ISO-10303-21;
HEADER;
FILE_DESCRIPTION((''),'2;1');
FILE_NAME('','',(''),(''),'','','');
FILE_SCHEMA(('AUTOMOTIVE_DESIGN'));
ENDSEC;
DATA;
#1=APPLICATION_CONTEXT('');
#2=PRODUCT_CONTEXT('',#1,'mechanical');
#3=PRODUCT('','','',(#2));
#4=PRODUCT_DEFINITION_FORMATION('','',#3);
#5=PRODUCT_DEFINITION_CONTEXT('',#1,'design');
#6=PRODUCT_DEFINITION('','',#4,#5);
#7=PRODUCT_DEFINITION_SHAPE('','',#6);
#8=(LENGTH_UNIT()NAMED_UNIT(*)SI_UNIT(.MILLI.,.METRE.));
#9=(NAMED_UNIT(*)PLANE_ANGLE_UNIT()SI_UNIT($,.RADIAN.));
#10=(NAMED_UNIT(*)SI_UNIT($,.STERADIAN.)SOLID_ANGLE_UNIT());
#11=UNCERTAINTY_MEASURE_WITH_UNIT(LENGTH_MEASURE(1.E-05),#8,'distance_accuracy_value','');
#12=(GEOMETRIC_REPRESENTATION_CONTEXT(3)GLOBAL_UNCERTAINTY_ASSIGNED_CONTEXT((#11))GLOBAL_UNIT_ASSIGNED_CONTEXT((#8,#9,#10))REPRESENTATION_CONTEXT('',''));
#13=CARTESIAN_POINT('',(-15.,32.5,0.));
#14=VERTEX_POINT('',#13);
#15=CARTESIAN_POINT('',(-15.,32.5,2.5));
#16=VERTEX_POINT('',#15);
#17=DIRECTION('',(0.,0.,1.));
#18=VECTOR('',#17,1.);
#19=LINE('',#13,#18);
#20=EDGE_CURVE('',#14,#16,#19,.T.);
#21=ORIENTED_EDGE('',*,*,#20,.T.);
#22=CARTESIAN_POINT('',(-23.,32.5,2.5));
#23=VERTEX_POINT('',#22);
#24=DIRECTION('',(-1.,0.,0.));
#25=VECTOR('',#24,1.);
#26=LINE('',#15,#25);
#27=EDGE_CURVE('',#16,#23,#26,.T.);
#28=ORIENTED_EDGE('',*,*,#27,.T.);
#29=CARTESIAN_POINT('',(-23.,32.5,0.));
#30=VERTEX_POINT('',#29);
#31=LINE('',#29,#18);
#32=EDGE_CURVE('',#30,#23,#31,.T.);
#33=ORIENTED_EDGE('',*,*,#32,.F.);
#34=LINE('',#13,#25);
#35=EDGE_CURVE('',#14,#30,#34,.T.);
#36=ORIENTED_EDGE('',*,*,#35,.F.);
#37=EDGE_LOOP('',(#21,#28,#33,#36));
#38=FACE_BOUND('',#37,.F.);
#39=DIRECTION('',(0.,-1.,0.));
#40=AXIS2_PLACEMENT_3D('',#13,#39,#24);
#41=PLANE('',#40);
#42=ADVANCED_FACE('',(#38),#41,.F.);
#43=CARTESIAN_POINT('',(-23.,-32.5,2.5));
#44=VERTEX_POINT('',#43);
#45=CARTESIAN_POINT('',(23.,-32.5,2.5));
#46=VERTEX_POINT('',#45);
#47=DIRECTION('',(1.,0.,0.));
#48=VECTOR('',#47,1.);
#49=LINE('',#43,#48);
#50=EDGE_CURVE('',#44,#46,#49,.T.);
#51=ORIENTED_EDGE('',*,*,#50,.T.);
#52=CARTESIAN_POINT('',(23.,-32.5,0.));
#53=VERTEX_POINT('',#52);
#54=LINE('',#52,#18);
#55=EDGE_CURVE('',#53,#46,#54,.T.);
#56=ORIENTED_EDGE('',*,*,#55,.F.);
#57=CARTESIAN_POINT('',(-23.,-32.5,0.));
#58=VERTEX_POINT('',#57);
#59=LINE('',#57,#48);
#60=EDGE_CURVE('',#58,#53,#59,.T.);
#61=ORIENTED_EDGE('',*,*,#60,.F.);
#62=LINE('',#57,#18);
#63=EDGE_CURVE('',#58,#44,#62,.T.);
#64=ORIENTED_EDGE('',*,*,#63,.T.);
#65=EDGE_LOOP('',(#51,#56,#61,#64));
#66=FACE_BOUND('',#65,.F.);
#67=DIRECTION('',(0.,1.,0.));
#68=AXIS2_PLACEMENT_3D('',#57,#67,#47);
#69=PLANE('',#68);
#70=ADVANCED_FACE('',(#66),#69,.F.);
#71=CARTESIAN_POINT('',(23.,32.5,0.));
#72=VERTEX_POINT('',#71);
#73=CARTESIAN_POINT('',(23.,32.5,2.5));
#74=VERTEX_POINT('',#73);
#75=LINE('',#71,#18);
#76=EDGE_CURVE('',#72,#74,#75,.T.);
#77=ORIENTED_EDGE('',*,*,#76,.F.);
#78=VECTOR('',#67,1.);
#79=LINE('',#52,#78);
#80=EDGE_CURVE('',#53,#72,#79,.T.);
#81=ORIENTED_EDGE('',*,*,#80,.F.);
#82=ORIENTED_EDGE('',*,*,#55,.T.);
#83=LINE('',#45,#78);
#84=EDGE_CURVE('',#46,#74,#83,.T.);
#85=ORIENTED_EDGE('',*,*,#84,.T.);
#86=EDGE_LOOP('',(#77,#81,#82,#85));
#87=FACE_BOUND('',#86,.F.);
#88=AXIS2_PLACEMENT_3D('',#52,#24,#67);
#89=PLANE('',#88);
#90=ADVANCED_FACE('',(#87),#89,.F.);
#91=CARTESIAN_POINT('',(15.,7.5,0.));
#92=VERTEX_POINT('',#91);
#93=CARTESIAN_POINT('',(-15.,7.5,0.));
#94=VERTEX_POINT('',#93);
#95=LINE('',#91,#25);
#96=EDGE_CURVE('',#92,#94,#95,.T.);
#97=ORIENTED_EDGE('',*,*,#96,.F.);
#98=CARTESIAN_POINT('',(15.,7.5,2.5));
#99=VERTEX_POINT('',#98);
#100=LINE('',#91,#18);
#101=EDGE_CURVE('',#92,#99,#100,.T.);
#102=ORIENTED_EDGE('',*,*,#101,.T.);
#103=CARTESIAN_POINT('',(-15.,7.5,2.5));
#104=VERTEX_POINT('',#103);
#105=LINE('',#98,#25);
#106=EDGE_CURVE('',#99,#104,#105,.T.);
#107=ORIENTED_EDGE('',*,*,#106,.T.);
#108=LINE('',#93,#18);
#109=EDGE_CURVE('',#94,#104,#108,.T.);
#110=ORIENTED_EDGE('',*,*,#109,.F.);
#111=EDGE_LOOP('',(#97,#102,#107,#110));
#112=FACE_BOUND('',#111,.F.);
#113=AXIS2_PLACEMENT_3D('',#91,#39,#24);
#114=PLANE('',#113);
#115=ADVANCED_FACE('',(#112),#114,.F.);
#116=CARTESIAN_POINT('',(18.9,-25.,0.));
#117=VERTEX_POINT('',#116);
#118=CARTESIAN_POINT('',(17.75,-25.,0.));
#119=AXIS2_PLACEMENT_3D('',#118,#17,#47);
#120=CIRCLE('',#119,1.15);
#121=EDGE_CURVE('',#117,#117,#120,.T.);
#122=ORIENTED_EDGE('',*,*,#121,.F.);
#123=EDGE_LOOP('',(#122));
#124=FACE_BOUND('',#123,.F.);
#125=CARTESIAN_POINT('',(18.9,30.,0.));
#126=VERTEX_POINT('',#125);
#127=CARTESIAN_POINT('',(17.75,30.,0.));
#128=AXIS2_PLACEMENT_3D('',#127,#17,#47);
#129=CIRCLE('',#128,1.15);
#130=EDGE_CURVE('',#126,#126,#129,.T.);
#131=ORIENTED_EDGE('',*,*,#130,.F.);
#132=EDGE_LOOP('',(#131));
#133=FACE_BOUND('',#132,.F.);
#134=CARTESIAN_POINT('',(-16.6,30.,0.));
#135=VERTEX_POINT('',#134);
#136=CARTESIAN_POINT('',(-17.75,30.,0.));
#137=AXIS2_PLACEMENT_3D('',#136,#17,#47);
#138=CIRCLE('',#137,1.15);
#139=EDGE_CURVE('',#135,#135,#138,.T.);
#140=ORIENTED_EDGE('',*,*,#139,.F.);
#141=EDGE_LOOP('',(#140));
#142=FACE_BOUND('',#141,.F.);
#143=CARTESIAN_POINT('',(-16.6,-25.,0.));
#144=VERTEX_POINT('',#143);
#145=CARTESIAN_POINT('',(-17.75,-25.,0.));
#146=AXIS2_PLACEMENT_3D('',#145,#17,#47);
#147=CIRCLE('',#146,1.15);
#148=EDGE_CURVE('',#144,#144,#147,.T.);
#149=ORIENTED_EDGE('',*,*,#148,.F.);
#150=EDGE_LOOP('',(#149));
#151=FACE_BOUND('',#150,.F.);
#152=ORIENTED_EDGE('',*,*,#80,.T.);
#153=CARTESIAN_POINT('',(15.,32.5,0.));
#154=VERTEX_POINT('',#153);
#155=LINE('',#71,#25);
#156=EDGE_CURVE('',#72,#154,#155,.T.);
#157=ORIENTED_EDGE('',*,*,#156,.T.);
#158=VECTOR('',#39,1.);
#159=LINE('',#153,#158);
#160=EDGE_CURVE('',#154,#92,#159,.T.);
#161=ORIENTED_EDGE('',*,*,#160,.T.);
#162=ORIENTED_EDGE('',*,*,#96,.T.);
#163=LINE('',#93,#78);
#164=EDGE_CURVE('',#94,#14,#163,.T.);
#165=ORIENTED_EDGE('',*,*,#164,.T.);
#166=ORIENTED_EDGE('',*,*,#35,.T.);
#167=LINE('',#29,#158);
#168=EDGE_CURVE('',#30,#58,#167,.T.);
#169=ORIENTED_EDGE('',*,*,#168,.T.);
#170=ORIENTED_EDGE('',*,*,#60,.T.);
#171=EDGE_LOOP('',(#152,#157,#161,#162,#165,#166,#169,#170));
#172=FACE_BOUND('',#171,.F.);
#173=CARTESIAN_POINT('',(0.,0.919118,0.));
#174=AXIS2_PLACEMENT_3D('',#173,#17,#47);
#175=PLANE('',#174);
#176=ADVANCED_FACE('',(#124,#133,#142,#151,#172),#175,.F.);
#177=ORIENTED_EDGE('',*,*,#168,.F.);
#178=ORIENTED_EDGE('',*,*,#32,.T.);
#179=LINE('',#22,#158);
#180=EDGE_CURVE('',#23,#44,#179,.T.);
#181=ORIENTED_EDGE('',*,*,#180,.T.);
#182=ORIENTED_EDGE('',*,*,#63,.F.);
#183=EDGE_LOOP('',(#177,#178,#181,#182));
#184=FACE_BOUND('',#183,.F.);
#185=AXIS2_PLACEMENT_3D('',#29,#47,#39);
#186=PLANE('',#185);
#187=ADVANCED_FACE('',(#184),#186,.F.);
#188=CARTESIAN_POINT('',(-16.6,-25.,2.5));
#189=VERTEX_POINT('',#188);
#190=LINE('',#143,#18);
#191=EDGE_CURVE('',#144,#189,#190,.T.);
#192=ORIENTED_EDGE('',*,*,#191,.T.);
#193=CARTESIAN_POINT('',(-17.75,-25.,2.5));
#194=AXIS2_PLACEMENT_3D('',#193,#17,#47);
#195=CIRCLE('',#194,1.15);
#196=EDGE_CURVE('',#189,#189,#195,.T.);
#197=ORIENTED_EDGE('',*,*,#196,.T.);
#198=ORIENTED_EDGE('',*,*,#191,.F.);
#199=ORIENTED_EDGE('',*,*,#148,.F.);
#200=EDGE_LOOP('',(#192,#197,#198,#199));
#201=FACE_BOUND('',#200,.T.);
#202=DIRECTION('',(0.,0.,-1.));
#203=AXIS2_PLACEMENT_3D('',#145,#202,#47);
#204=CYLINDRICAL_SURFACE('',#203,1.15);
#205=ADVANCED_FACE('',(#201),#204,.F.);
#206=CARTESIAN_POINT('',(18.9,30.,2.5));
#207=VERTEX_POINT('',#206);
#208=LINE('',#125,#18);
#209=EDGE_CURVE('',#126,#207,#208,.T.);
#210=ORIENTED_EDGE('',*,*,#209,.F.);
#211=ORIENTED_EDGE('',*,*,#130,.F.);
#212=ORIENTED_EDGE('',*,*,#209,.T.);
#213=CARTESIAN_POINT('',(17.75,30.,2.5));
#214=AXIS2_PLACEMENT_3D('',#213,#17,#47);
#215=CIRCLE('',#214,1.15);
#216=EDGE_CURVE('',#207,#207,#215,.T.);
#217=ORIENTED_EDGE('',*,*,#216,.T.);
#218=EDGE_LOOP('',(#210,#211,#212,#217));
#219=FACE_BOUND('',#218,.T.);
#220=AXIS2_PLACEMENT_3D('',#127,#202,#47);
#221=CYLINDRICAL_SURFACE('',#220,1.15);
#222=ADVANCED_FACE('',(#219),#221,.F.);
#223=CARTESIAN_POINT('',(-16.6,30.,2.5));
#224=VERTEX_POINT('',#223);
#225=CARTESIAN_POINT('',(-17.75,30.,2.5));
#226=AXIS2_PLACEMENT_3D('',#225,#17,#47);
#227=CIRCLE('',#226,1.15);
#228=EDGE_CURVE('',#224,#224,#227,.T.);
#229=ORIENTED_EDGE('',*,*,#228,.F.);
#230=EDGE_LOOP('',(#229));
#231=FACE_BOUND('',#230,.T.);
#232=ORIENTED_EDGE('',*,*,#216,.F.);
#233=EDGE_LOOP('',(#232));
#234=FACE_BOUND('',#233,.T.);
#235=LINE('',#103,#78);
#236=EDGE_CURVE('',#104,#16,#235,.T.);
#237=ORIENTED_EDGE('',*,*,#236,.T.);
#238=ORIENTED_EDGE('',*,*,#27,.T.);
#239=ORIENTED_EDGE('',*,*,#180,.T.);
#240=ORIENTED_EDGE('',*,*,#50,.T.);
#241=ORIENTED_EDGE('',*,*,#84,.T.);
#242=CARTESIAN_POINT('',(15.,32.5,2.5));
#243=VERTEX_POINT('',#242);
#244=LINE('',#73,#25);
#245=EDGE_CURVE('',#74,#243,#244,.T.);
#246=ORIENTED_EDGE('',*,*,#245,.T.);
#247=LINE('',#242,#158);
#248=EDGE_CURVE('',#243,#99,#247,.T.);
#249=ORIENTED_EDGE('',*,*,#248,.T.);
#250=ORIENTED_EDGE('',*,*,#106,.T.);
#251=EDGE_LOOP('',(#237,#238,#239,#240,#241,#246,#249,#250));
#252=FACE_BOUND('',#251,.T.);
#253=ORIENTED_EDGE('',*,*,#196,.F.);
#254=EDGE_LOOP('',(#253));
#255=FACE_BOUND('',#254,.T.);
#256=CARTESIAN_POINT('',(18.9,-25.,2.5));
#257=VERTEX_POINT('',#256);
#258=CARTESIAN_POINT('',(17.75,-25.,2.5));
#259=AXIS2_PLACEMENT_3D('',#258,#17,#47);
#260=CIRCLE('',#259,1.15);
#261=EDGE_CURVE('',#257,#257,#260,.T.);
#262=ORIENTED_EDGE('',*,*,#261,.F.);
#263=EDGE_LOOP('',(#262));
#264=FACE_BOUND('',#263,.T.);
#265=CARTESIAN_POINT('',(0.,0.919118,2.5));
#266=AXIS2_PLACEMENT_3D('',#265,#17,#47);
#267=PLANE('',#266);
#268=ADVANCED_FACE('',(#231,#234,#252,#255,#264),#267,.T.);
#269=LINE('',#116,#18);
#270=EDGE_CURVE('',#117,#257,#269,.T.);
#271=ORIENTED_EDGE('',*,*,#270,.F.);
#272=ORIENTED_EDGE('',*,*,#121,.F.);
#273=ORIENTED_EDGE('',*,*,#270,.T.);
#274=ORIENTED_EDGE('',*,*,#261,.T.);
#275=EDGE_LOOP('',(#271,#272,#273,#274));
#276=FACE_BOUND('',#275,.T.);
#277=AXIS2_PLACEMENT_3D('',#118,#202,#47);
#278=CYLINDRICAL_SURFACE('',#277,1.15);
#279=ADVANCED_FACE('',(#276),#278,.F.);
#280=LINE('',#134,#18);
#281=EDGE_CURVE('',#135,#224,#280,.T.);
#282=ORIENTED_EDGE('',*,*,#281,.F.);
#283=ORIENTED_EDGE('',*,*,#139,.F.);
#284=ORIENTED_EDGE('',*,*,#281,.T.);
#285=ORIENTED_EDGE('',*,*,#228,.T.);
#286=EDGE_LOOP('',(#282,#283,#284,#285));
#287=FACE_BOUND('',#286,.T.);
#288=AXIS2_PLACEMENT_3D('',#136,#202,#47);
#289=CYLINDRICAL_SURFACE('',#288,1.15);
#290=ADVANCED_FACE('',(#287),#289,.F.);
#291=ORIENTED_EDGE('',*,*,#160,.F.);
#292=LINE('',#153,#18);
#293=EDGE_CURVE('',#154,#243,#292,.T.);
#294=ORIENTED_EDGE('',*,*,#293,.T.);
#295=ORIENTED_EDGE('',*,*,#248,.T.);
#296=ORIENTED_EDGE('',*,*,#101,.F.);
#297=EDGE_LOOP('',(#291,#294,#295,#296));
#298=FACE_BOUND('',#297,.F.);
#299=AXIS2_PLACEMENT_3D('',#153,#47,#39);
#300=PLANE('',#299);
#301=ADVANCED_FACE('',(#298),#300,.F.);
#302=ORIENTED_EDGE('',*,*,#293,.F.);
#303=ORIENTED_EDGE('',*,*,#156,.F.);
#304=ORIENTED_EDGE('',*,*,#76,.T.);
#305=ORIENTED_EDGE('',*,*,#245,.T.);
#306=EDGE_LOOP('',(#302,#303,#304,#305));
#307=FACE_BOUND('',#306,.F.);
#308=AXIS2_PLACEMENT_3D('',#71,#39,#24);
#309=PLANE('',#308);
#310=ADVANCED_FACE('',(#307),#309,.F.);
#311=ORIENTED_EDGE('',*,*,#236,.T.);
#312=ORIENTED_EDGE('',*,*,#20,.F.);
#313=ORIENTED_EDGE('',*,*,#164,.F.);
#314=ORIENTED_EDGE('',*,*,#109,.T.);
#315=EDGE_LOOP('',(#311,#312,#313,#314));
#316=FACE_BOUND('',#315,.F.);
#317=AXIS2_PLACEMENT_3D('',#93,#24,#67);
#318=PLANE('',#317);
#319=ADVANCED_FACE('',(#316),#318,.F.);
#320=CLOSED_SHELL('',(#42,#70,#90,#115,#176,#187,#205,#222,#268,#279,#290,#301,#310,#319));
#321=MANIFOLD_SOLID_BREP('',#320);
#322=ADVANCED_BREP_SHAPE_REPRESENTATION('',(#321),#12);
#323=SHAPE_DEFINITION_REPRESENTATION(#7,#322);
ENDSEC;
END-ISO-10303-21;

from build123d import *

# Parameters (mm, degrees)
F0_R     = 1.15
F1_DEPTH = 2.5


with BuildPart() as f1:
    # F0 (on Top) → F1 (new body)
    with BuildSketch(Plane.XY):
        Polygon((-23, -32.5), (23, -32.5), (23, 32.5), (15, 32.5), (15, 7.5), (-15, 7.5), (-15, 32.5), (-23, 32.5), align=None)
        with Locations((-17.75, -25)):
            Circle(F0_R, mode=Mode.SUBTRACT)
        with Locations((17.75, -25)):
            Circle(F0_R, mode=Mode.SUBTRACT)
        with Locations((-17.75, 30)):
            Circle(F0_R, mode=Mode.SUBTRACT)
        with Locations((17.75, 30)):
            Circle(F0_R, mode=Mode.SUBTRACT)
    extrude(amount=F1_DEPTH)


solid = f1.part
